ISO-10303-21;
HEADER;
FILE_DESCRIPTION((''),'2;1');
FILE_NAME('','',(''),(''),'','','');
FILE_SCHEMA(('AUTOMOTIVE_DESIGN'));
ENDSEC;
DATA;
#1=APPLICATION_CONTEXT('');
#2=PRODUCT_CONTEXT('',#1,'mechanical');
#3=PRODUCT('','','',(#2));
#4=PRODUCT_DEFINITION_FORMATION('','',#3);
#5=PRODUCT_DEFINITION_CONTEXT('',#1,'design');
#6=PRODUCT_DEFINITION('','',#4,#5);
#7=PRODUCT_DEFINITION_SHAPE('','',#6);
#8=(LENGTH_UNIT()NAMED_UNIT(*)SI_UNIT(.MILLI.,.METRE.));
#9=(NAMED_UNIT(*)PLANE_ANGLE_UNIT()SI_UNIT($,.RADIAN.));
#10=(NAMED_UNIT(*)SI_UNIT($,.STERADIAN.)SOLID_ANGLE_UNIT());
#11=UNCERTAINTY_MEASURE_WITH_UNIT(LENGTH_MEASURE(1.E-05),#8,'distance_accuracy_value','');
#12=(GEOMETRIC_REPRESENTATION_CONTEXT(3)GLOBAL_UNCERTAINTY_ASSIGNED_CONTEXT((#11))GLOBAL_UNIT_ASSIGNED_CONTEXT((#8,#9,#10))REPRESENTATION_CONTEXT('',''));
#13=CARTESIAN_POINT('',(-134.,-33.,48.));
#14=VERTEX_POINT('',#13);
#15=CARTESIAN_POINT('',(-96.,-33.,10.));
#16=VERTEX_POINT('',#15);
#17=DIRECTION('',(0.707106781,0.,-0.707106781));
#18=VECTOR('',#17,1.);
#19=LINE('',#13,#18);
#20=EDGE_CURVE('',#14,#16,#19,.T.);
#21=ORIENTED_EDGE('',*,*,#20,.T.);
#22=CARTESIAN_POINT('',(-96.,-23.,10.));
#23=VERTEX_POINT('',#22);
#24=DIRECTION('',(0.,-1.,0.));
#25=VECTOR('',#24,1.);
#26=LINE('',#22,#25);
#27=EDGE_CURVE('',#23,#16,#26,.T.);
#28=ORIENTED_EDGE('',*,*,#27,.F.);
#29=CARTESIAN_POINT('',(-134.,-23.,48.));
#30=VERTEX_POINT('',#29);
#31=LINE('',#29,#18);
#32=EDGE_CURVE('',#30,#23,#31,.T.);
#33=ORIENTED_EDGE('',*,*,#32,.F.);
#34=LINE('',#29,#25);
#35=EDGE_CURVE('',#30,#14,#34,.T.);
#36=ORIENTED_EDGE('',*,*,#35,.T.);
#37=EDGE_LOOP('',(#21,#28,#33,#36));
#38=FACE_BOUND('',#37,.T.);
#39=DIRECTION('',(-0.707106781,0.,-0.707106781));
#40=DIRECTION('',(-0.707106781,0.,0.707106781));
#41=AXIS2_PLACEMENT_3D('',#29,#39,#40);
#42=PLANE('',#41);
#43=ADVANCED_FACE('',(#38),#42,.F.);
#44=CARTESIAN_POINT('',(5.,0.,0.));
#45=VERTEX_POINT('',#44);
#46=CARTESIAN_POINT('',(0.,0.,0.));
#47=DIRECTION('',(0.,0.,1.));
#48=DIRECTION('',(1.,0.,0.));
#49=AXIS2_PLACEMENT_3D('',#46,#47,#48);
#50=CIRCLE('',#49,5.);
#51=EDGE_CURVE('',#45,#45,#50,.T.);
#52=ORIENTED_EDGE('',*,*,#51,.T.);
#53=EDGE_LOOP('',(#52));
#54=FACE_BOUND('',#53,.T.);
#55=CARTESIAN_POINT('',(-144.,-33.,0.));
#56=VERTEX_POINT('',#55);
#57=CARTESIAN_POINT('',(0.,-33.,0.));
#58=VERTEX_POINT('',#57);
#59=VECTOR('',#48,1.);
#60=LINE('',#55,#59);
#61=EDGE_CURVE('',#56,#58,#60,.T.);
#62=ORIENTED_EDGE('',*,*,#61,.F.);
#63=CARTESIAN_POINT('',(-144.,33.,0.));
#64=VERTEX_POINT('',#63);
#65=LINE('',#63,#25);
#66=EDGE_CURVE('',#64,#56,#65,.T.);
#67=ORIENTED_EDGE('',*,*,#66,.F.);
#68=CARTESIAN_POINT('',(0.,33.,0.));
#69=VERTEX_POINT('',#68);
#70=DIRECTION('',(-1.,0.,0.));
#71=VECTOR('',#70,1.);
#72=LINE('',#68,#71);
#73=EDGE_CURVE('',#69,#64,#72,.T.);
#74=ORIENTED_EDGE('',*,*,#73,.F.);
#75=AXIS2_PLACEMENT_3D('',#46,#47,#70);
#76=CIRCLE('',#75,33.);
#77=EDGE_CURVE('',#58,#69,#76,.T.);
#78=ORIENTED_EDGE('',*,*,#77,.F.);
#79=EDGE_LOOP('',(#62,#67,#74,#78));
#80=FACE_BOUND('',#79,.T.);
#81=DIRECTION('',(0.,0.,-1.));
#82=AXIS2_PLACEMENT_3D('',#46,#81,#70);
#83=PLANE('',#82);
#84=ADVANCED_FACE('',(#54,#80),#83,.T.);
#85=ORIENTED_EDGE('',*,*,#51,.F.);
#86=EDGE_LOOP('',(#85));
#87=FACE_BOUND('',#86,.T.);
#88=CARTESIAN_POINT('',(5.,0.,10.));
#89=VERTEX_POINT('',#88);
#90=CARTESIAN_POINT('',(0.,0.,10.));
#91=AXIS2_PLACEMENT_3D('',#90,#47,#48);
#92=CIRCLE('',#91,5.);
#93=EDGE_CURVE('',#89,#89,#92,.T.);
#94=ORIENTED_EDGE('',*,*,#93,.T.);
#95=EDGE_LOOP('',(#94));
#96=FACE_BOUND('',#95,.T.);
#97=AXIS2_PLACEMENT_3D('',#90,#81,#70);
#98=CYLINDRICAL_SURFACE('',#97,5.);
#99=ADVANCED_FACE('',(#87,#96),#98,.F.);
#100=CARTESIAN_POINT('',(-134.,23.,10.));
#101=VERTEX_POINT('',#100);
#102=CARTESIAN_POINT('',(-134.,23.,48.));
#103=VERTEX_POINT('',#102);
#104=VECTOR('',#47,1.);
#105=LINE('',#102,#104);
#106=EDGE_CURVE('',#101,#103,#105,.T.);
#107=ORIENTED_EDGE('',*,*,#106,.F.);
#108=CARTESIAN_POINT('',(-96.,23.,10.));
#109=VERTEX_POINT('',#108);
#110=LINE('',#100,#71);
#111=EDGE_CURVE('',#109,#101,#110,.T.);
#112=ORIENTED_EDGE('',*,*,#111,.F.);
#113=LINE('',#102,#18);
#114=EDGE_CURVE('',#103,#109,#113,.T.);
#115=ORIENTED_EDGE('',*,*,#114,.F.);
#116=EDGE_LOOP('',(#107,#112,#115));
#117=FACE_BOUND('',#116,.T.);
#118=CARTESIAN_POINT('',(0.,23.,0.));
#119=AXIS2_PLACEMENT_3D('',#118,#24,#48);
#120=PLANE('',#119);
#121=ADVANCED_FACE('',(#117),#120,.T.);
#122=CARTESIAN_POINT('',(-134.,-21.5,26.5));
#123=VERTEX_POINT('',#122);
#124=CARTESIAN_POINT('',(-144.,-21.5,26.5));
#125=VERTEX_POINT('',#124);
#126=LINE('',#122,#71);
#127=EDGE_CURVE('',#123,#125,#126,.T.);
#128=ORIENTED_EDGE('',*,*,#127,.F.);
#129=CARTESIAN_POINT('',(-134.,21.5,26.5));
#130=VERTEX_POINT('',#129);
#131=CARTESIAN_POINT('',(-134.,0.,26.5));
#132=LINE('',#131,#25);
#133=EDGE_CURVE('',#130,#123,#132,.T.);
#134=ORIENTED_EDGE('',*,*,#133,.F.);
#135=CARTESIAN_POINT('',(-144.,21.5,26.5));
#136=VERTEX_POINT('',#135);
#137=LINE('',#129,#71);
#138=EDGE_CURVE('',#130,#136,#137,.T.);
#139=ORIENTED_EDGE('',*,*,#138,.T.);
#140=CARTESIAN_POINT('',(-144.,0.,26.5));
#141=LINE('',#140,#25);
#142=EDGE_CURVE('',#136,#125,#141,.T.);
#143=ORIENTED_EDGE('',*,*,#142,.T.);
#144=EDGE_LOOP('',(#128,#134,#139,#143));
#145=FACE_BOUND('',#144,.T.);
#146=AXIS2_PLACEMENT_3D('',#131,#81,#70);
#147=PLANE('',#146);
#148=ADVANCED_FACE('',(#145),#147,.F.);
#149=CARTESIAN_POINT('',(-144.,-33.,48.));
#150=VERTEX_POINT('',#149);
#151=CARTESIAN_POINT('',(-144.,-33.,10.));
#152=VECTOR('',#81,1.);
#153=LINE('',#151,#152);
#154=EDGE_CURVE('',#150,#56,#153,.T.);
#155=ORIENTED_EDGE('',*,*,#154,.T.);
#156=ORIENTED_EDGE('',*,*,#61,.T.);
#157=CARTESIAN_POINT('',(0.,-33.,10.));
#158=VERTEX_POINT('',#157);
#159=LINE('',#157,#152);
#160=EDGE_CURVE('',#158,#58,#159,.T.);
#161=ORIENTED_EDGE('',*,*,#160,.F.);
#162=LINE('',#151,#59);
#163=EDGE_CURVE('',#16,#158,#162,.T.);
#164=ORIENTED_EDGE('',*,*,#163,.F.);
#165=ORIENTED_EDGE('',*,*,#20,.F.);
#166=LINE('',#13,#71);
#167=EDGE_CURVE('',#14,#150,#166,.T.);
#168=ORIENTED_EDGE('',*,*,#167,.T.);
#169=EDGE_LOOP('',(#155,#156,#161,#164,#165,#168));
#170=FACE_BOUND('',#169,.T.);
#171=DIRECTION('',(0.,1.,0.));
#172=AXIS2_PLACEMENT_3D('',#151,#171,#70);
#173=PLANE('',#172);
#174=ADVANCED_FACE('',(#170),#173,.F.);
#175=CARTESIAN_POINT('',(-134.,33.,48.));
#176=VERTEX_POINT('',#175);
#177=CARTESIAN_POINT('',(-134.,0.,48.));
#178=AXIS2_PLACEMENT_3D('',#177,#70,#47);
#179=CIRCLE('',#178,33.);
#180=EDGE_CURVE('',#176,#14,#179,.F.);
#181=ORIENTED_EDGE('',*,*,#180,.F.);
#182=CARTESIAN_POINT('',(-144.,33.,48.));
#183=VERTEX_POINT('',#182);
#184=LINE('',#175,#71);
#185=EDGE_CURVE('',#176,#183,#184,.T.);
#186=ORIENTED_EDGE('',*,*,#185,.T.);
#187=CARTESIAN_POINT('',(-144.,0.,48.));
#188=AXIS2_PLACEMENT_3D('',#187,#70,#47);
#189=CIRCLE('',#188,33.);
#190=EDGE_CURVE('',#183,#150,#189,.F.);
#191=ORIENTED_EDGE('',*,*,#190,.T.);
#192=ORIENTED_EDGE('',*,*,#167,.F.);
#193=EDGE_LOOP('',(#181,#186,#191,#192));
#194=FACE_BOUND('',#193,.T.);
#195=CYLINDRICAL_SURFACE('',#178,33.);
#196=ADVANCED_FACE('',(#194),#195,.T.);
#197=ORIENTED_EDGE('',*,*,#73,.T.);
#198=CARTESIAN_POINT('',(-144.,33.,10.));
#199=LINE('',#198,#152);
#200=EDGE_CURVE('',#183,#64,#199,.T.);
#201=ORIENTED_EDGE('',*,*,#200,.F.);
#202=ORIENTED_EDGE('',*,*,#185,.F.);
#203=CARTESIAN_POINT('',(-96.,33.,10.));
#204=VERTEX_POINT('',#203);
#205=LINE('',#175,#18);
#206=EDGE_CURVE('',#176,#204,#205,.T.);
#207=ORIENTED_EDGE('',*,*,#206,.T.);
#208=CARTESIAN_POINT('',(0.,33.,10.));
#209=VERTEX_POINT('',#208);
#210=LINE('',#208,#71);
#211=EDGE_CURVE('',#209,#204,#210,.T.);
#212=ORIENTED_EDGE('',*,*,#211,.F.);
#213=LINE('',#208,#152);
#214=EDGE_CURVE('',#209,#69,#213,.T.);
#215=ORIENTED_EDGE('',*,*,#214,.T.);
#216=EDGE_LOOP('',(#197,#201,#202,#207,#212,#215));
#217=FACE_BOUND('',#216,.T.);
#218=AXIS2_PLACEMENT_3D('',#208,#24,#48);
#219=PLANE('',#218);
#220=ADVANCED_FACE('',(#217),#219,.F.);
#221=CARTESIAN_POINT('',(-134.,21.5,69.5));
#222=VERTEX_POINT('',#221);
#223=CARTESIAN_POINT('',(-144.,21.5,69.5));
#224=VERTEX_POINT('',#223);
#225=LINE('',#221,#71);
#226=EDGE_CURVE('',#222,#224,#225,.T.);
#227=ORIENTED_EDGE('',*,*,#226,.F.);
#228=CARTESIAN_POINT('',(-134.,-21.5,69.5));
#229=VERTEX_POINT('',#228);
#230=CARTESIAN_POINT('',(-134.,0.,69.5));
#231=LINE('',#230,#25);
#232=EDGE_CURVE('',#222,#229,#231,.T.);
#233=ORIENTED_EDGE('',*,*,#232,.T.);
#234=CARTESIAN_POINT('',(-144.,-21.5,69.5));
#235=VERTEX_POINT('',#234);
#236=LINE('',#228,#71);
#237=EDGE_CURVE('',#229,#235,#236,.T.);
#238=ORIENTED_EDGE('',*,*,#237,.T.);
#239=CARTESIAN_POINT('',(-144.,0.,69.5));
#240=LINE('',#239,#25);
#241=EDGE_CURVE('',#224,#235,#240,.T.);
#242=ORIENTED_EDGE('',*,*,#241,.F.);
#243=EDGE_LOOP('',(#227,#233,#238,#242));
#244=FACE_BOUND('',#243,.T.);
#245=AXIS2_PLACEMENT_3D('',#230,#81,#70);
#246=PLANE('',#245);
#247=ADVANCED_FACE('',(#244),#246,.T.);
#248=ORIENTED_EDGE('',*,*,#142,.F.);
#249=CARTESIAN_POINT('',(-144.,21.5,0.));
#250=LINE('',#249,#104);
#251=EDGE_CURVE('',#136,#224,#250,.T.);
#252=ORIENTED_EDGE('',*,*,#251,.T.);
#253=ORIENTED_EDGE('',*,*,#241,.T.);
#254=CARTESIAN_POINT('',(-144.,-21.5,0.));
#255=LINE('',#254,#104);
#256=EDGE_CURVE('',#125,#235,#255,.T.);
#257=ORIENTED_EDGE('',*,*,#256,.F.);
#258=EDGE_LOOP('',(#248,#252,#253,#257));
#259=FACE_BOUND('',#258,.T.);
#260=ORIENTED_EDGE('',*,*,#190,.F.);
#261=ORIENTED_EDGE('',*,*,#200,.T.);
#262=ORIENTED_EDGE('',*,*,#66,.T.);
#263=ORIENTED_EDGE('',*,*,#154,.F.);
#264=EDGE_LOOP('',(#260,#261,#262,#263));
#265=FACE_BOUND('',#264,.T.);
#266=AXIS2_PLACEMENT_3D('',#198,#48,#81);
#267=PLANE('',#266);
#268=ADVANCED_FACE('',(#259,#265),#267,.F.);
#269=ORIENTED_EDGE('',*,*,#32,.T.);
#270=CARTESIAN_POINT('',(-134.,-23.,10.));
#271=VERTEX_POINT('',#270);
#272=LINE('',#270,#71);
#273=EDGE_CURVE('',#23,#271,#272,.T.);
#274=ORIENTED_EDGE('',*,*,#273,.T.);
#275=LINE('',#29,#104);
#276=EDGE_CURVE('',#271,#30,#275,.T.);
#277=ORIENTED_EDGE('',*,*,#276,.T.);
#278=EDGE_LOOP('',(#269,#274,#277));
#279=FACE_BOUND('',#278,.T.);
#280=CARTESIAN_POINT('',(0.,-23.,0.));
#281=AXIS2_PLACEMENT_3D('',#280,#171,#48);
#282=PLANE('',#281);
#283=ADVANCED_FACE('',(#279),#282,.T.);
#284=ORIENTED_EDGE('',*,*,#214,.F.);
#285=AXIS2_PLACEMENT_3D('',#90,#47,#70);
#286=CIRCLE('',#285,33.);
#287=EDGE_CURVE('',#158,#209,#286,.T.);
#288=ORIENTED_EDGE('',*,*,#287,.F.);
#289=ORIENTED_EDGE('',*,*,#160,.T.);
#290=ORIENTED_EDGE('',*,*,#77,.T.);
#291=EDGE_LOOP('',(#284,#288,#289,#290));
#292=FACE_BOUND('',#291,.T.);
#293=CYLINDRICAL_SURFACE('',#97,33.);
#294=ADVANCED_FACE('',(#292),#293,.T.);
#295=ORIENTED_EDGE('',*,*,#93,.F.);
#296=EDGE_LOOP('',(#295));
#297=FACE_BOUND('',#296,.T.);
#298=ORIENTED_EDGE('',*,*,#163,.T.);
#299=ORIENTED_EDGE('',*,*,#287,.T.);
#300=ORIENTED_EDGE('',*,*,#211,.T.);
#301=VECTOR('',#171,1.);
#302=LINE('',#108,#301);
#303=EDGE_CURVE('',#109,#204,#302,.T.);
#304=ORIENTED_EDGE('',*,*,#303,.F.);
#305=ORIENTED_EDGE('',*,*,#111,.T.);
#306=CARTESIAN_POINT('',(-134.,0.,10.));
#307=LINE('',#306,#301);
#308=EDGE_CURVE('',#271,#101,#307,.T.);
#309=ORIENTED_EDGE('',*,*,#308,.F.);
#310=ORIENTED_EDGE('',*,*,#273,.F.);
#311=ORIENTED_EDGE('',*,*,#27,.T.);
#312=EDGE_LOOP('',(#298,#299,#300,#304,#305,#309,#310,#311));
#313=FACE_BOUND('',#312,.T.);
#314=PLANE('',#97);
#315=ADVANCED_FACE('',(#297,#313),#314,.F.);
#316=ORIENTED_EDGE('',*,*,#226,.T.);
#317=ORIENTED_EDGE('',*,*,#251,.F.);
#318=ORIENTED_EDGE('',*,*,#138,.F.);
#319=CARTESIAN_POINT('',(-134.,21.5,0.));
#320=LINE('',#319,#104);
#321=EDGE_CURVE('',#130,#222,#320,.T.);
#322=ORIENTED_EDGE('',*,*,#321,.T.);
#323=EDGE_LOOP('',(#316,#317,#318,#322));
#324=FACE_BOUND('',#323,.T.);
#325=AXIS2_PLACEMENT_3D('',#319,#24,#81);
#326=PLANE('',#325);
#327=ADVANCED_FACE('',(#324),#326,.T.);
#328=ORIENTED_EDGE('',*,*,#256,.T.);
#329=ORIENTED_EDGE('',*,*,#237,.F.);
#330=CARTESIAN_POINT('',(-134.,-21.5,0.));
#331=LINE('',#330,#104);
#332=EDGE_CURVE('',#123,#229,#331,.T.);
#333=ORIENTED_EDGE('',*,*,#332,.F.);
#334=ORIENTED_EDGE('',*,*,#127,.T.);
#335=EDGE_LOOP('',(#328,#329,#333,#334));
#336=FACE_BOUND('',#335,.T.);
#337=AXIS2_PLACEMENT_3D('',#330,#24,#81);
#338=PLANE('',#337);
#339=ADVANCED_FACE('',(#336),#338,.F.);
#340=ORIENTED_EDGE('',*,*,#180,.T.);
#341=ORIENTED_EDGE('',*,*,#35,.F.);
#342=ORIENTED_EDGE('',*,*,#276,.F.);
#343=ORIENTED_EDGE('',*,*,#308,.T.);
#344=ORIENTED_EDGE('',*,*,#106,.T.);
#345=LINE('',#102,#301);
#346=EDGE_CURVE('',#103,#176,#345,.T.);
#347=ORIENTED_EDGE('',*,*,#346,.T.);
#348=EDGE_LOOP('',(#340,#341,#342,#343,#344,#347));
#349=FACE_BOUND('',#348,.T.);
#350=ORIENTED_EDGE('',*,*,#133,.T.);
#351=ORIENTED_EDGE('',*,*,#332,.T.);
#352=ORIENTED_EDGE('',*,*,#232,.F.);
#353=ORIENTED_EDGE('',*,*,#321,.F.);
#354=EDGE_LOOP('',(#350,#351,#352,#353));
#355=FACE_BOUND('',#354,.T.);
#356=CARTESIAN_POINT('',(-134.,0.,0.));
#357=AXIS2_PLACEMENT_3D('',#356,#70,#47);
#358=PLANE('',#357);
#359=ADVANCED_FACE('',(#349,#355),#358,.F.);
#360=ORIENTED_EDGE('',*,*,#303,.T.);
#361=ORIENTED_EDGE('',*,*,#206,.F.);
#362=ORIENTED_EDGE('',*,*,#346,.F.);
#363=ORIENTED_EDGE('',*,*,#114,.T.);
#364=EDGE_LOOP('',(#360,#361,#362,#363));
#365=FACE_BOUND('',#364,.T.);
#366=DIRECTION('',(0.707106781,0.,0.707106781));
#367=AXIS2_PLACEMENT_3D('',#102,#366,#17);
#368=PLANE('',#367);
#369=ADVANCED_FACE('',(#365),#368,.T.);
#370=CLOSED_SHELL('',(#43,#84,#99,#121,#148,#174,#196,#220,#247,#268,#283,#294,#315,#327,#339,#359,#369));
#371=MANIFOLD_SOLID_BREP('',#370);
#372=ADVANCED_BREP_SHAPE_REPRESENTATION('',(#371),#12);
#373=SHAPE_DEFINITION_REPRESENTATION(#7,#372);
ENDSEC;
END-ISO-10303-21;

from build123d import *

# Parameters (mm, degrees)
SKETCH1_R           = 5
BOSS_EXTRUDE1_DEPTH = 10
SKETCH3_W           = 43
SKETCH3_H           = 43
BOSS_EXTRUDE3_DEPTH = 10
BOSS_EXTRUDE4_DEPTH = 10


with BuildPart() as part:
    # Sketch1 → Boss-Extrude1 (new body)
    with BuildSketch(Plane.XY):
        with BuildLine():
            Line((0, 33), (-144, 33))
            Line((-144, 33), (-144, -33))
            Line((-144, -33), (0, -33))
            ThreePointArc((0, -33), (33, 0), (0, 33))
        make_face()
        Circle(SKETCH1_R, mode=Mode.SUBTRACT)
    extrude(amount=BOSS_EXTRUDE1_DEPTH)

    # Sketch3 → Boss-Extrude3 (add)
    with BuildSketch(Plane.ZY.offset(144)):
        with BuildLine():
            Line((48, 33), (10, 33))
            Line((10, 33), (10, -33))
            Line((10, -33), (48, -33))
            ThreePointArc((48, -33), (81, 0), (48, 33))
        make_face()
        with Locations((48, 0)):
            Rectangle(SKETCH3_W, SKETCH3_H, mode=Mode.SUBTRACT)
    extrude(amount=-BOSS_EXTRUDE3_DEPTH)

    # Sketch4 → Boss-Extrude4 (add)
    with BuildSketch(Plane(origin=(0, 33, 0), x_dir=(1, 0, 0), z_dir=(0, 1, 0))):
        Polygon((-134, -48), (-96, -10), (-134, -10), align=None)
    boss_extrude4 = extrude(amount=-BOSS_EXTRUDE4_DEPTH)

    # Mirror1: Boss-Extrude4 across plane
    add(boss_extrude4.mirror(Plane.ZX))


solid = part.part
